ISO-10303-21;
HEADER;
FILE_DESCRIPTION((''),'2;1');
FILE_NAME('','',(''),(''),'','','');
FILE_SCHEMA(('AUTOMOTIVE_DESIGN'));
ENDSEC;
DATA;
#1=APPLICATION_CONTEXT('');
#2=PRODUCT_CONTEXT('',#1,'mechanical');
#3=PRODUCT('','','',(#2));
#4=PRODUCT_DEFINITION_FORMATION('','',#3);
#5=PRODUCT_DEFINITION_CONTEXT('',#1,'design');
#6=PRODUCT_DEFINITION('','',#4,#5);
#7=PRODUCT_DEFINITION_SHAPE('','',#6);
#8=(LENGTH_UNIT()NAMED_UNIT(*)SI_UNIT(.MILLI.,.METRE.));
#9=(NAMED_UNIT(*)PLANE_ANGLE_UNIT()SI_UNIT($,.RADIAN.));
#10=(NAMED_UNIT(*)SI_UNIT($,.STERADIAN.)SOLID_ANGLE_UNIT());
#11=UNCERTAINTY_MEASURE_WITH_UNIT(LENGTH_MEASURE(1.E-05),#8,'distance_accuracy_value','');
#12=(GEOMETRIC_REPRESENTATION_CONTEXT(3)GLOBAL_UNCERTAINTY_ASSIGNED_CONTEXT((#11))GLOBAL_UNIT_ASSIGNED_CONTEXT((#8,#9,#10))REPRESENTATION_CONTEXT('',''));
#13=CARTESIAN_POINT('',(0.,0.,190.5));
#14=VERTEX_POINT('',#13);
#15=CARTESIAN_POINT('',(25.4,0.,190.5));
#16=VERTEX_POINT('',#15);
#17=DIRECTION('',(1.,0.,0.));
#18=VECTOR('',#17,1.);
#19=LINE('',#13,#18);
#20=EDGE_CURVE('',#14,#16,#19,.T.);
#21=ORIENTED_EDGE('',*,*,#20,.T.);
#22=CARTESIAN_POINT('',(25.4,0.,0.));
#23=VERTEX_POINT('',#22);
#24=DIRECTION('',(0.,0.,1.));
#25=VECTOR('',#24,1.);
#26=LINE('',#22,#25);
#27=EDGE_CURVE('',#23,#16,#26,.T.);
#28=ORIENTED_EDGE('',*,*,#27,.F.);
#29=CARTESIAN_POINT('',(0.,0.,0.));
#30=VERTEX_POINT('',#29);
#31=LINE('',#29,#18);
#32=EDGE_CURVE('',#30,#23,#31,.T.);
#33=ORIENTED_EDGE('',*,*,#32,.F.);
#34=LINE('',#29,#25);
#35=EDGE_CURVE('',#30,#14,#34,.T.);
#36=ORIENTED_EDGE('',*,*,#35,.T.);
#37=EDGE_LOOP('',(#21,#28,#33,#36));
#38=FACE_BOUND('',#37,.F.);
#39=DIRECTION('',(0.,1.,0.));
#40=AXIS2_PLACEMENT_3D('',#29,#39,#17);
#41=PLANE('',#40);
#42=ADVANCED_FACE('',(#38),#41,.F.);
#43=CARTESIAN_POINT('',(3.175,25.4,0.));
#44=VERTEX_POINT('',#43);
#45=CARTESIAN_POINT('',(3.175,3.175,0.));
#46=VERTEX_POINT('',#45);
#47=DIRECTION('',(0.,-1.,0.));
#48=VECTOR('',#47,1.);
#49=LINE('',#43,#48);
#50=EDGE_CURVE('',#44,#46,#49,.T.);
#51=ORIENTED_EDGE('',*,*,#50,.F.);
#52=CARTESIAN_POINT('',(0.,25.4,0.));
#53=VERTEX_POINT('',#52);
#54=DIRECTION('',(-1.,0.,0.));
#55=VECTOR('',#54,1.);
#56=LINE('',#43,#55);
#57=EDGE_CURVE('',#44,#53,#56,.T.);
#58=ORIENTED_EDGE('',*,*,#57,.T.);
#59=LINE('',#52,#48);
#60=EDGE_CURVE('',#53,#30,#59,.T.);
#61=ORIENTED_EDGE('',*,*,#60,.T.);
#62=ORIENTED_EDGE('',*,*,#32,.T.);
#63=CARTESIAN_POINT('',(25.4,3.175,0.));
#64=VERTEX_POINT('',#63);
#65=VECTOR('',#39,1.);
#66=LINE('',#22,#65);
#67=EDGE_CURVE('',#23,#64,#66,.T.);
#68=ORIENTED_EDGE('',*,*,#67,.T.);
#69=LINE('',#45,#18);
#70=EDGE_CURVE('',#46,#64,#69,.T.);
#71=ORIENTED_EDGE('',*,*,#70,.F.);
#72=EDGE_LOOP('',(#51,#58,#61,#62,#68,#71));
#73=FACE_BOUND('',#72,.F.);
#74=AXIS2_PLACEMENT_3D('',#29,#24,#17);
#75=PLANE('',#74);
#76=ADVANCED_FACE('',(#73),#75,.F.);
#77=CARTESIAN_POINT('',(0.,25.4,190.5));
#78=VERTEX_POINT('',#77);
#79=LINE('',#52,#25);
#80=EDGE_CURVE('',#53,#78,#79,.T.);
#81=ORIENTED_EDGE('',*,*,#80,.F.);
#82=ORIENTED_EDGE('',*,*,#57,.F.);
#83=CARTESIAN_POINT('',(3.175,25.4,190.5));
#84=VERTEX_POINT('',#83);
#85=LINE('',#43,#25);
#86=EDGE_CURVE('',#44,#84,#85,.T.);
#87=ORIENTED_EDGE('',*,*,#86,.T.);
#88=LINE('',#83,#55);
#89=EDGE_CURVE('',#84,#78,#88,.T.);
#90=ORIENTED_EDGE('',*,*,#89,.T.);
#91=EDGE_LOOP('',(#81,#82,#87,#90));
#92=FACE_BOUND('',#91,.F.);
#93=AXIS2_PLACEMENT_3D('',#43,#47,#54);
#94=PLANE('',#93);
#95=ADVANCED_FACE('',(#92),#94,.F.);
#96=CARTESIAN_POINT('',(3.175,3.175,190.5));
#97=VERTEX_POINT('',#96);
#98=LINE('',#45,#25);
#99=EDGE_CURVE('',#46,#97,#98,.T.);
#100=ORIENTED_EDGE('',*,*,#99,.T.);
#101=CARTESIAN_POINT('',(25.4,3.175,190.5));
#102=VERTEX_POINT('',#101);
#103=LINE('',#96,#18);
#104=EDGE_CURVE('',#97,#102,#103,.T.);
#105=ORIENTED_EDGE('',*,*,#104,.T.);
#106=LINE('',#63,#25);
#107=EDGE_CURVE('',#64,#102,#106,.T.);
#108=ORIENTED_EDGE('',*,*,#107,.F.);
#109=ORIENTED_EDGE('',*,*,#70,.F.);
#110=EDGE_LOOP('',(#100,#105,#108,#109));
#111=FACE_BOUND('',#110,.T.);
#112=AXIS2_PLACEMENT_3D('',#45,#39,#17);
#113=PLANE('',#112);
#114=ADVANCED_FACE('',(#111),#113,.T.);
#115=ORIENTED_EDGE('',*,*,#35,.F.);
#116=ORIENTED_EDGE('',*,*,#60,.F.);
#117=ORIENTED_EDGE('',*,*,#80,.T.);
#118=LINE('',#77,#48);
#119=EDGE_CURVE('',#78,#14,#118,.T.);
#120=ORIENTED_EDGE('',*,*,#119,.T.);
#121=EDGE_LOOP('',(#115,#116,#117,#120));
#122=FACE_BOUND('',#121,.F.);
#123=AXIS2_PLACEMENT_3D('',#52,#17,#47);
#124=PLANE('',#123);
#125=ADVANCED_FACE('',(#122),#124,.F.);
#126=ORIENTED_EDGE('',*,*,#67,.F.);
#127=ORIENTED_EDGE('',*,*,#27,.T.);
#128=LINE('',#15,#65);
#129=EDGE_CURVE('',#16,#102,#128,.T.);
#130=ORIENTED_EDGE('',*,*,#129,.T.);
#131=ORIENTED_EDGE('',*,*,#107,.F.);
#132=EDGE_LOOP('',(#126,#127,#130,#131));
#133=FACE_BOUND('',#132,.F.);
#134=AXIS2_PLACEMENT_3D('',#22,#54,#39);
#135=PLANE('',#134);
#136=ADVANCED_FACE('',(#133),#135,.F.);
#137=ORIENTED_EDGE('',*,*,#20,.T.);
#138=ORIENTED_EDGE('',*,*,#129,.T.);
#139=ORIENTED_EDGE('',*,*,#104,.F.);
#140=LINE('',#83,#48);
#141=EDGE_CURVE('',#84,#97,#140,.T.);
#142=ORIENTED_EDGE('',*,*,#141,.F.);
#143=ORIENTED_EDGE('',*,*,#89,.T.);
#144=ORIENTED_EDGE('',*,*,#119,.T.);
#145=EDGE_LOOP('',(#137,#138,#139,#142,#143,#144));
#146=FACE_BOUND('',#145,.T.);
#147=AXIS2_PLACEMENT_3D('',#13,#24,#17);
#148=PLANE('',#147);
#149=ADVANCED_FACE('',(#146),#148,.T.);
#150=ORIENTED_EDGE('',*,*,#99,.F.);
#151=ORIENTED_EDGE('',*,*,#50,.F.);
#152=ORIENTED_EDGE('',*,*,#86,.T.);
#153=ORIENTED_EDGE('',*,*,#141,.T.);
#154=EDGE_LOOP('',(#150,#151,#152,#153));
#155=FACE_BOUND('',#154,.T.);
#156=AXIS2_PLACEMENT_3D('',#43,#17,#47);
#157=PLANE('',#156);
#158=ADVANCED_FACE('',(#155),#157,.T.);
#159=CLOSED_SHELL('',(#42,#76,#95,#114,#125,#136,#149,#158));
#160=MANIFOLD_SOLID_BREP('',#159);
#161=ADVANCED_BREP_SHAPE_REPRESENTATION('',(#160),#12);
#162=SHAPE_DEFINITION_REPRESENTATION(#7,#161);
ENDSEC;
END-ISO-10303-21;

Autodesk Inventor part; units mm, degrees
ref_plane "YZ Plane" through (0, 0, 0) normal (1, 0, 0) x (0, 1, 0)
ref_plane "XZ Plane" through (0, 0, 0) normal (0, 1, 0) x (-1, 0, 0)
ref_plane "XY Plane" through (0, 0, 0) normal (0, 0, 1) x (1, 0, 0)
sketch "Sketch1" plane through (0, 0, 0) normal (0, 0, 1) x (1, 0, 0)
  line L0 (0, 0) -> (25.4, 0)
  line L1 (25.4, 0) -> (25.4, 3.175)
  line L2 (3.175, 25.4) -> (0, 25.4)
  line L3 (0, 25.4) -> (0, 0)
  line L4 (3.175, 25.4) -> (3.175, 3.175)
  line L5 (3.175, 3.175) -> (25.4, 3.175)
  dimension "d0" = 3.175
  dimension "d1" = 3.175
  dimension "d2" = 25.4
  dimension "d3" = 25.4
extrude "Extrusion1" add sketch "Sketch1" along normal blind 190.5
equation "\"d0\" = d1"
equation "\"d2\" = d3"
properties part number "battery back L"
